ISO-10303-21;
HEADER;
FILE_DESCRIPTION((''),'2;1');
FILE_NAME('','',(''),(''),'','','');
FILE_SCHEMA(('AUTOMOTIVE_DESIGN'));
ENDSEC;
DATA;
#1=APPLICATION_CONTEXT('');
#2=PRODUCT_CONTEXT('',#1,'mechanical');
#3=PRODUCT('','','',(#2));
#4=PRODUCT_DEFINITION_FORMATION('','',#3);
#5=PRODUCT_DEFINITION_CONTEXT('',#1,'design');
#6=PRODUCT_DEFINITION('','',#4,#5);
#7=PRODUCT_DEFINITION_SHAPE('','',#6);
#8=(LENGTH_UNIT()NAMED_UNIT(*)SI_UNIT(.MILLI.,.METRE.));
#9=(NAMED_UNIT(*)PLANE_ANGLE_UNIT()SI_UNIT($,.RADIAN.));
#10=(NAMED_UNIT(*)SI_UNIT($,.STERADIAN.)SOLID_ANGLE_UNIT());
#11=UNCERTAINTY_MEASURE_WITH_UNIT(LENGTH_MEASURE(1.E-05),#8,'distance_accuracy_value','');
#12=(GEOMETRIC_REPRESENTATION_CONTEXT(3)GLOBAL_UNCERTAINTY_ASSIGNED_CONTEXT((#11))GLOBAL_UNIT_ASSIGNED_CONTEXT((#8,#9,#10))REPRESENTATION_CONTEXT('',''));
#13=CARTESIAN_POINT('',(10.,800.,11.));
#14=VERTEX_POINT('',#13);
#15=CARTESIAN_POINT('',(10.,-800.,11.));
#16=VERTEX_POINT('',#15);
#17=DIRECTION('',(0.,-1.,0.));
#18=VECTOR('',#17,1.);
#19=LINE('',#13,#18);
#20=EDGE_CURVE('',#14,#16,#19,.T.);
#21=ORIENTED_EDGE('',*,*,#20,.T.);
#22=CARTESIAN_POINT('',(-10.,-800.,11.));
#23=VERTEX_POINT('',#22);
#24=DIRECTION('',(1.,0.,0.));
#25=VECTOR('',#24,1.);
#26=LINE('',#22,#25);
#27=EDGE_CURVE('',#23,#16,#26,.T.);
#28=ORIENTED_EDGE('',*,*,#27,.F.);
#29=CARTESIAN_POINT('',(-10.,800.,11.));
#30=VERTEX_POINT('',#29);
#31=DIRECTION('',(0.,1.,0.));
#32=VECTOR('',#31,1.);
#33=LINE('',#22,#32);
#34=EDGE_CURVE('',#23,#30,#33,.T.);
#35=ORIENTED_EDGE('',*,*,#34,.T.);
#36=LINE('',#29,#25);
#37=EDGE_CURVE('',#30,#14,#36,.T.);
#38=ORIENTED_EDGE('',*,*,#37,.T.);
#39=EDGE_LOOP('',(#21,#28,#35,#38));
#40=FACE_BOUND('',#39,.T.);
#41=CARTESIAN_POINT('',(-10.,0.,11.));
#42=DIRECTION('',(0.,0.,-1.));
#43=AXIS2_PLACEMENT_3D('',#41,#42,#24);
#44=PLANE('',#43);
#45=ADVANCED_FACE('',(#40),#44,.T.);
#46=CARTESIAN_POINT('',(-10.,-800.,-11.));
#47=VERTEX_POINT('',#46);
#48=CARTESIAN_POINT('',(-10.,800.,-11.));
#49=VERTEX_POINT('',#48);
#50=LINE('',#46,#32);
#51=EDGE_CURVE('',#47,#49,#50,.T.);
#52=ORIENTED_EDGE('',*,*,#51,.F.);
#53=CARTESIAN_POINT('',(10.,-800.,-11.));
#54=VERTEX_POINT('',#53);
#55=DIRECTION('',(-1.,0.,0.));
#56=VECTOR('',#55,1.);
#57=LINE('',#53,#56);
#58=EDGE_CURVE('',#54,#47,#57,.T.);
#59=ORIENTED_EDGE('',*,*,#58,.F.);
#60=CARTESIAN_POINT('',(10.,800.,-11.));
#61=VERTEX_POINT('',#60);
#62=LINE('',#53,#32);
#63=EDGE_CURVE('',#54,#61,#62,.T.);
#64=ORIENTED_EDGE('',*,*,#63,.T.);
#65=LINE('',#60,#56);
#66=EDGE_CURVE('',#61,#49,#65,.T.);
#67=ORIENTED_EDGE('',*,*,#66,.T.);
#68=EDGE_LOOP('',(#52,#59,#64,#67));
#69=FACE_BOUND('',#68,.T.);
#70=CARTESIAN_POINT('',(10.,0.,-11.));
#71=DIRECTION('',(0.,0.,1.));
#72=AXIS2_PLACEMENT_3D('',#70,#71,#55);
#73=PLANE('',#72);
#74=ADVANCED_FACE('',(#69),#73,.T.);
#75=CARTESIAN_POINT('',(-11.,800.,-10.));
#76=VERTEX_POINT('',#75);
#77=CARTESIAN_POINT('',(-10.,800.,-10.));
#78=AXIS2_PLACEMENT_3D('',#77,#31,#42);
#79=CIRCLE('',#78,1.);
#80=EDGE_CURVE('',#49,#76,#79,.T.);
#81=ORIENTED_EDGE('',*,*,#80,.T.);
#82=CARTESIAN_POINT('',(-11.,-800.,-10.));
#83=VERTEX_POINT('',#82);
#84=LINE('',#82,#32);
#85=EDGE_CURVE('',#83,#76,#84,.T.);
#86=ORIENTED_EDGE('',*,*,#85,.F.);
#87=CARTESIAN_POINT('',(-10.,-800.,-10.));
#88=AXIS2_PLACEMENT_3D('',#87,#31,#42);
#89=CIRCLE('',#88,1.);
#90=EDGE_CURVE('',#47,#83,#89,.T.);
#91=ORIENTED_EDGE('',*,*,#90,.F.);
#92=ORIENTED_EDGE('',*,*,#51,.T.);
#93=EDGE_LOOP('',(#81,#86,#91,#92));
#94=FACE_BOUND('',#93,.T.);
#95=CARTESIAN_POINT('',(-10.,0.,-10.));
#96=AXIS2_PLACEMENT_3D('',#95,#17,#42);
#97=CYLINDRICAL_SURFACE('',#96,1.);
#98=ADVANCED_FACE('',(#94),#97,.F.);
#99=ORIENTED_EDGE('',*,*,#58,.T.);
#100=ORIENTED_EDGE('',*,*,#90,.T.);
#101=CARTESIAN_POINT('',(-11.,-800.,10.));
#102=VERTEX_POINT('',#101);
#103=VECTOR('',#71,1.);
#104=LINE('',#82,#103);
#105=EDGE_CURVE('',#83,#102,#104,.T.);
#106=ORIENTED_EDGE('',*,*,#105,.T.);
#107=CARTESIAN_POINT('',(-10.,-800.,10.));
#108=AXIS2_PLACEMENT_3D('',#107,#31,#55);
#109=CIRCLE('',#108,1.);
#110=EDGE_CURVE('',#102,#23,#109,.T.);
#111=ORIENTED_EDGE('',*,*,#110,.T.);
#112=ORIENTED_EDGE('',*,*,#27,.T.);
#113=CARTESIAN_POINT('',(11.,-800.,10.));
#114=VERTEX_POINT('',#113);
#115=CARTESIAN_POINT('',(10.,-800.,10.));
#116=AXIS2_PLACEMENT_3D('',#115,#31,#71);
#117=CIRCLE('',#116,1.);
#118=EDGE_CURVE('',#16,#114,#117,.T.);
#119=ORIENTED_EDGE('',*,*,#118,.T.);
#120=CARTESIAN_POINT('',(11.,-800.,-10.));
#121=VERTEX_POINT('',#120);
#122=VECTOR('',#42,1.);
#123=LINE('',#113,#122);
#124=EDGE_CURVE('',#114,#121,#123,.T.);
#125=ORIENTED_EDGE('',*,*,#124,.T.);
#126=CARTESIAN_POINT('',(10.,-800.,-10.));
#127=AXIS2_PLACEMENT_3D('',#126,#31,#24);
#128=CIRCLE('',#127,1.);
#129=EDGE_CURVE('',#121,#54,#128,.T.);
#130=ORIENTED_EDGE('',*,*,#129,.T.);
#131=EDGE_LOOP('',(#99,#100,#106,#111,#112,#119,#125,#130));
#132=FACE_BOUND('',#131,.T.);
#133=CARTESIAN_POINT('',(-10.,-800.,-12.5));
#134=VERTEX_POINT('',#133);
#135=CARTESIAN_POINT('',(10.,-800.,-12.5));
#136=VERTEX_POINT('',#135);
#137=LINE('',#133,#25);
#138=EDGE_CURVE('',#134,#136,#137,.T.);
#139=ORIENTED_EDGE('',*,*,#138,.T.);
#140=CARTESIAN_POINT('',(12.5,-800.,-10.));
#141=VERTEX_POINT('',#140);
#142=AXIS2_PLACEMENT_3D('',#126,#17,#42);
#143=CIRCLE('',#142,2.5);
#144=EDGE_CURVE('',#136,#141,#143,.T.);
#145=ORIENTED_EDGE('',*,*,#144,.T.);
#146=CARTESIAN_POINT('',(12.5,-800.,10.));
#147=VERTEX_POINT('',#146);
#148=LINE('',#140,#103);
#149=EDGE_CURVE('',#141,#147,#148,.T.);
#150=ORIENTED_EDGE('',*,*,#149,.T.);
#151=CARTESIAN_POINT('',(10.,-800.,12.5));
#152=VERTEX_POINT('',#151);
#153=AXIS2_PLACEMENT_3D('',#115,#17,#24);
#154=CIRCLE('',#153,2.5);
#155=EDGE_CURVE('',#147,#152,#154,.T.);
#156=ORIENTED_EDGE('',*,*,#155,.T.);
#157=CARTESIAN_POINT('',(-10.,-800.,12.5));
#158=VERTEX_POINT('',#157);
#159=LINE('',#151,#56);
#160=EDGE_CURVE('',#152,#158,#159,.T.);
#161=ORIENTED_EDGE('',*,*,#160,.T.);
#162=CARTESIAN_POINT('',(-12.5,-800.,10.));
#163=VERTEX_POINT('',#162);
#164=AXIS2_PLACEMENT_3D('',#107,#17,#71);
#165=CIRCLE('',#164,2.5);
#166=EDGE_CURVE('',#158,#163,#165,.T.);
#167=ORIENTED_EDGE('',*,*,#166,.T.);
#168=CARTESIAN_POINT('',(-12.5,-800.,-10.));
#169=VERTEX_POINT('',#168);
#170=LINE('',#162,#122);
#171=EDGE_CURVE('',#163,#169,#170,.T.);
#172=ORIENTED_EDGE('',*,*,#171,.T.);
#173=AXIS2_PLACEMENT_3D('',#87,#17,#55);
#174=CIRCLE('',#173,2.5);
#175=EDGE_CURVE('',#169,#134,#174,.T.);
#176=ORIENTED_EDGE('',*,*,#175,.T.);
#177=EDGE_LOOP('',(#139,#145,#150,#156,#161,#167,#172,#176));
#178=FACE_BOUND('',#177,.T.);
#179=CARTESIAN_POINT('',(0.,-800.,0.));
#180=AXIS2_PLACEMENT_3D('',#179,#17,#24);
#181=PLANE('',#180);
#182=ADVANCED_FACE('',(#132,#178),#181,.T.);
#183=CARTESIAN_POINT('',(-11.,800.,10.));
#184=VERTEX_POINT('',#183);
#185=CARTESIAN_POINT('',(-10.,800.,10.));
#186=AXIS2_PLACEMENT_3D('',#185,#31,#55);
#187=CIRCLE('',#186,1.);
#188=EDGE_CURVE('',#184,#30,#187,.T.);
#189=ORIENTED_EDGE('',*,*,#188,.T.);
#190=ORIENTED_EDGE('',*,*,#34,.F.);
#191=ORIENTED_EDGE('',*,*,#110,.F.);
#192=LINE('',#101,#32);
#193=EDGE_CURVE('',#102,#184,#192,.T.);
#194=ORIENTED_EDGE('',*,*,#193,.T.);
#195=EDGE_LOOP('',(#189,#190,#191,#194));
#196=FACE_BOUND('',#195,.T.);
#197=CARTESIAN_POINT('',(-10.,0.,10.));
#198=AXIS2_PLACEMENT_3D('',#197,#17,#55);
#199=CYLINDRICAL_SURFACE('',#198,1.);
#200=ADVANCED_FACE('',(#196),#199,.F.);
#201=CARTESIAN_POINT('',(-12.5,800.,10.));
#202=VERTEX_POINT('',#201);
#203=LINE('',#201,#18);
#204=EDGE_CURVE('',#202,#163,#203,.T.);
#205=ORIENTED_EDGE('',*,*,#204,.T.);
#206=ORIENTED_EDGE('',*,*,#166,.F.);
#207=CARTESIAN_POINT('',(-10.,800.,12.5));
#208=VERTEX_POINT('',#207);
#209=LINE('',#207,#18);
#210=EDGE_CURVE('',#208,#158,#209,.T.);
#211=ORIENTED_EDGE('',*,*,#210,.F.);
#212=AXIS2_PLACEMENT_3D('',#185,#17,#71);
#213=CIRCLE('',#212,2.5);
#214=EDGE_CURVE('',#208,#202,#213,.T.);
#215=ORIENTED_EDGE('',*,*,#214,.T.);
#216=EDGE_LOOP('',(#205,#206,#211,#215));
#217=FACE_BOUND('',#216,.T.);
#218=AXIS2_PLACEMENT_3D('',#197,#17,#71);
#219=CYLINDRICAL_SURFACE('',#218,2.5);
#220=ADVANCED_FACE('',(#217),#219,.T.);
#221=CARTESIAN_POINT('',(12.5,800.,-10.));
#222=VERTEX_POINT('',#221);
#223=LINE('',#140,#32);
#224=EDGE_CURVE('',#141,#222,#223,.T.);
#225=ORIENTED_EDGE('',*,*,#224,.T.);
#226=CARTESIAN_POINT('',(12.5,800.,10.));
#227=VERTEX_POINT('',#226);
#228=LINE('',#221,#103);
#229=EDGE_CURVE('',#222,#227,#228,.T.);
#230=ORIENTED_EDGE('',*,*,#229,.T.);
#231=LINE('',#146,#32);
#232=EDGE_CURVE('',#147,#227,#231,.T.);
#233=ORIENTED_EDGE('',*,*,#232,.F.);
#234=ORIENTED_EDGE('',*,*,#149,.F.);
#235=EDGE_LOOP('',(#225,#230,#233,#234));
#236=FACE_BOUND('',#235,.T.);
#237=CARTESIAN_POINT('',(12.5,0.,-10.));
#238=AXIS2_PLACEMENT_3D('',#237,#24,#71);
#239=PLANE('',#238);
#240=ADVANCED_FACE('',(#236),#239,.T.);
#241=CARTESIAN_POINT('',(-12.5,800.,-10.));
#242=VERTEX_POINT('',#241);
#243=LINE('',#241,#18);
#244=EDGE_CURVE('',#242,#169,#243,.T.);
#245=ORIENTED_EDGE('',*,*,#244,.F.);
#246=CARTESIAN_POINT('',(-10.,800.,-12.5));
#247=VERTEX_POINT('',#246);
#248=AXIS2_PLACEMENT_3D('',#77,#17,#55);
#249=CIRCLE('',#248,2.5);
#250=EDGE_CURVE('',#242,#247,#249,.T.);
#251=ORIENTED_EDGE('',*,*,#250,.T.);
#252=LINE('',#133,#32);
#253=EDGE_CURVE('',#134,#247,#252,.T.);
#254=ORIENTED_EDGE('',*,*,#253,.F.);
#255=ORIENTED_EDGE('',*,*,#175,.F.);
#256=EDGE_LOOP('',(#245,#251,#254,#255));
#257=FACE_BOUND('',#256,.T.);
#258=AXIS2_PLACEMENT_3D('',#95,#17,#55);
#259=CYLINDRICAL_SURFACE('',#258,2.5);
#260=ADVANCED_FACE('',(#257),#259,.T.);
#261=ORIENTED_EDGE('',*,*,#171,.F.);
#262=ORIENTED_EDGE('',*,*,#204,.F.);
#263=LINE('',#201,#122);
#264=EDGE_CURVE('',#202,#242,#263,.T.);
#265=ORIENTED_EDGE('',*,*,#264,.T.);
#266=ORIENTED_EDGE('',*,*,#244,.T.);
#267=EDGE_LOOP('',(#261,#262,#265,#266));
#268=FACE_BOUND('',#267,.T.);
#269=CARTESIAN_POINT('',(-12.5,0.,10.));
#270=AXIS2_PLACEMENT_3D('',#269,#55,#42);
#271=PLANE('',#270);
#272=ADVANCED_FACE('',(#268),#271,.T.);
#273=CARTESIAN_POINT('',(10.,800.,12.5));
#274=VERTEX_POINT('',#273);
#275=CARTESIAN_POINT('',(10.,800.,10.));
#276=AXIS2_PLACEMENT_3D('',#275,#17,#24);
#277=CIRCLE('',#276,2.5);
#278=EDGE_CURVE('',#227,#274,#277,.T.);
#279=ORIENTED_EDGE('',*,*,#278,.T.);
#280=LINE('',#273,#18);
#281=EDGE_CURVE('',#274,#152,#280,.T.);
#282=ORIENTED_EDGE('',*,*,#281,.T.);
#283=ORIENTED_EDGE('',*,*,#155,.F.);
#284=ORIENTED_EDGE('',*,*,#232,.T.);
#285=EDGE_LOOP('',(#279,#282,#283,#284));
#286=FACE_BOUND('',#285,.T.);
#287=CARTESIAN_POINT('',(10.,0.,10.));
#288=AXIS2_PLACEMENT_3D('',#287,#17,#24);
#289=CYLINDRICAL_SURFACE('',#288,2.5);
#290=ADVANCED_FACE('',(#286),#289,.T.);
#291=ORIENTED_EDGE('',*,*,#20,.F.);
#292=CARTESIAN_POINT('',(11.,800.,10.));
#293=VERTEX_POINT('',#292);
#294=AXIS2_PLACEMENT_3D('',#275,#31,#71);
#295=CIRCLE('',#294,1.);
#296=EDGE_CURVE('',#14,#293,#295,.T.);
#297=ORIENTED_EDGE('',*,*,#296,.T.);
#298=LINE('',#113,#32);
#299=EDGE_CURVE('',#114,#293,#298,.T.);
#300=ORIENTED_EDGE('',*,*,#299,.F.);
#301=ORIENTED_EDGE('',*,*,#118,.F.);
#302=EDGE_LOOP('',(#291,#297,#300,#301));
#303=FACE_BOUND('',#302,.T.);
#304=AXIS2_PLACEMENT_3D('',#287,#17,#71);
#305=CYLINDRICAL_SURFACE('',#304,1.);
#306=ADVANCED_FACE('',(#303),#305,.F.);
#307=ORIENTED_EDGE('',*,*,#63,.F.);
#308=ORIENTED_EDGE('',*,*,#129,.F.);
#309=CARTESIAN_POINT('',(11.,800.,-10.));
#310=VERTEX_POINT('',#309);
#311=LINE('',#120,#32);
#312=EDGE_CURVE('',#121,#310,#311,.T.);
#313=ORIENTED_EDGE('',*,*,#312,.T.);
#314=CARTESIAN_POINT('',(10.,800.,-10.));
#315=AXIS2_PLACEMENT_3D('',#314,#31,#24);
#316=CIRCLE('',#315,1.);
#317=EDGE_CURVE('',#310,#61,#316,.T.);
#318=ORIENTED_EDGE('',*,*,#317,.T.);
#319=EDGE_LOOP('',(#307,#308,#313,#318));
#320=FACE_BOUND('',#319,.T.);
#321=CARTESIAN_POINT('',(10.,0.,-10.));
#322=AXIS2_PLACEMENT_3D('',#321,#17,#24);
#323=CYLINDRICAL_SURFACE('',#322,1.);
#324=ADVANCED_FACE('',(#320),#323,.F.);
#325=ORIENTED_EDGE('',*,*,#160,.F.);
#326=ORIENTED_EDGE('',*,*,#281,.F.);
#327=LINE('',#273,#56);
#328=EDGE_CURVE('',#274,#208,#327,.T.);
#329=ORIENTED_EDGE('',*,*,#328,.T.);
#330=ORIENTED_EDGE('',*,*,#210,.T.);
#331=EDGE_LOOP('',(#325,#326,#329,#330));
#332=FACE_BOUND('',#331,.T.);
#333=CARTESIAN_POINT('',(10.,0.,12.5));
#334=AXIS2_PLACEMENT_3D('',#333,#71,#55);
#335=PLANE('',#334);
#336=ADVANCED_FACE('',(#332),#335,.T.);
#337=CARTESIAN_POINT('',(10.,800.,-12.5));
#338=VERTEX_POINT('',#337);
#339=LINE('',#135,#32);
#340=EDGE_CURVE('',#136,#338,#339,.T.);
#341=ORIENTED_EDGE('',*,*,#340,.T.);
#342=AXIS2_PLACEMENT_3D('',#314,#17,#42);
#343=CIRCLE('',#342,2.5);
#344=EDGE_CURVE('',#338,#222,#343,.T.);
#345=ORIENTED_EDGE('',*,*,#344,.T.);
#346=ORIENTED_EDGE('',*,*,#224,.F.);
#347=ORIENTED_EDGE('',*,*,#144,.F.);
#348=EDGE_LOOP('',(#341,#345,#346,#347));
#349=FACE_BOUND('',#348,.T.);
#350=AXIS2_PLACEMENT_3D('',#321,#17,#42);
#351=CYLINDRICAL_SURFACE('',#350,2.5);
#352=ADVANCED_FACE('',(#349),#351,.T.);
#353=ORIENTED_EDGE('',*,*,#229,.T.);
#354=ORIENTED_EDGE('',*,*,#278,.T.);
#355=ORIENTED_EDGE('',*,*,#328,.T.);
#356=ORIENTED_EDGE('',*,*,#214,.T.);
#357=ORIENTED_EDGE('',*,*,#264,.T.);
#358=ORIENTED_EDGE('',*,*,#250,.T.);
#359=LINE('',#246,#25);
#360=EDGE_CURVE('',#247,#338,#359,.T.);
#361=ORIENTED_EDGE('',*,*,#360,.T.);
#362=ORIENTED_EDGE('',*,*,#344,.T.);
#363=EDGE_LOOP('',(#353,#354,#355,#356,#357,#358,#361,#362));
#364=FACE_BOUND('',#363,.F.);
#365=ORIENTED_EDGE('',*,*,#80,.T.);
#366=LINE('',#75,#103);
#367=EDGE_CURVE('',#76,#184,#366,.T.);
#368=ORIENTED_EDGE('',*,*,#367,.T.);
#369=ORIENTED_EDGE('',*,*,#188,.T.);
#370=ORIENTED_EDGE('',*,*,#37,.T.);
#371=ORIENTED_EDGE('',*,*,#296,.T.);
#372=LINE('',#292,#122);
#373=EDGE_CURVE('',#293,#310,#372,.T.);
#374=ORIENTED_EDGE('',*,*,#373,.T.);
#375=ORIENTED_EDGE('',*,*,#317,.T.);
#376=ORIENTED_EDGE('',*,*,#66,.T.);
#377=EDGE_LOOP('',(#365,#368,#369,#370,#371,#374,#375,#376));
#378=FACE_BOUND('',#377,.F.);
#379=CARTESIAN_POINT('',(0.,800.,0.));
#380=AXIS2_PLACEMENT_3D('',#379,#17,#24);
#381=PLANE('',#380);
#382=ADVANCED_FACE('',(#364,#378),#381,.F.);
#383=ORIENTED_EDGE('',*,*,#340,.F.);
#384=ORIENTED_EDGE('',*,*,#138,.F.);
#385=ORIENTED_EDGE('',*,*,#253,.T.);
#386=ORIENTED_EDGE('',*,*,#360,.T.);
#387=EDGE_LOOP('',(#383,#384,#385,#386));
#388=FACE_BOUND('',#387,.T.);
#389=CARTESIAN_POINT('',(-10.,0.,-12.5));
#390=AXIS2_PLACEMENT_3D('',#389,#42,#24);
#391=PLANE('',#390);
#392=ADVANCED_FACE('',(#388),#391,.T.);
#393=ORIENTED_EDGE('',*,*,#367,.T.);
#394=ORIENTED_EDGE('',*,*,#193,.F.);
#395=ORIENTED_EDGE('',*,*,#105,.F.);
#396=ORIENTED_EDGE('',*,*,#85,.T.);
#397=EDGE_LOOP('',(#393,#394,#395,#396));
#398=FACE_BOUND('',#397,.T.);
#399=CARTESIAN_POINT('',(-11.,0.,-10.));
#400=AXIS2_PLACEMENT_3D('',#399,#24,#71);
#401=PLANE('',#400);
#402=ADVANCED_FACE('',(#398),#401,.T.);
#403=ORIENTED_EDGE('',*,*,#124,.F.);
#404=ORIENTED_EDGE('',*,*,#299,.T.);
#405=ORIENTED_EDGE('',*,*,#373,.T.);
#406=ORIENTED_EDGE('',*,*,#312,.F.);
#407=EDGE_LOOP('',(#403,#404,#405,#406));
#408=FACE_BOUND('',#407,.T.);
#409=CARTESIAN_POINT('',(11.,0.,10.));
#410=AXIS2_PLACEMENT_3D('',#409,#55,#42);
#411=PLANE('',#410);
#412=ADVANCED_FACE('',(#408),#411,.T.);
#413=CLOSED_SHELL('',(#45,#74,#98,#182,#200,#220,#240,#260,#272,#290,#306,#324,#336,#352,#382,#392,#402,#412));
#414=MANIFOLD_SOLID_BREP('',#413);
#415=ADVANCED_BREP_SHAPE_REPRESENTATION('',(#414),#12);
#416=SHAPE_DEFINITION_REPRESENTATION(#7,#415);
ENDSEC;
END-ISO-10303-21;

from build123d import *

# Parameters (mm, degrees)
F1_DEPTH = 800


with BuildPart() as f1:
    # F0 (on Front) → F1 (new body, symmetric)
    with BuildSketch(Plane.XZ):
        with BuildLine():
            ThreePointArc((12.5, 10), (11.767766953, 11.767766953), (10, 12.5))
            Line((10, 12.5), (-10, 12.5))
            ThreePointArc((-10, 12.5), (-11.767766953, 11.767766953), (-12.5, 10))
            Line((-12.5, 10), (-12.5, -10))
            ThreePointArc((-12.5, -10), (-11.767766953, -11.767766953), (-10, -12.5))
            Line((-10, -12.5), (10, -12.5))
            ThreePointArc((10, -12.5), (11.767766953, -11.767766953), (12.5, -10))
            Line((12.5, -10), (12.5, 10))
        make_face()
        with BuildLine():
            ThreePointArc((10, 11), (10.7071067812, 10.7071067812), (11, 10))
            Line((11, 10), (11, -10))
            ThreePointArc((11, -10), (10.7071067812, -10.7071067812), (10, -11))
            Line((10, -11), (-10, -11))
            ThreePointArc((-10, -11), (-10.7071067812, -10.7071067812), (-11, -10))
            Line((-11, -10), (-11, 10))
            ThreePointArc((-11, 10), (-10.7071067812, 10.7071067812), (-10, 11))
            Line((-10, 11), (10, 11))
        make_face(mode=Mode.SUBTRACT)
    extrude(amount=F1_DEPTH, both=True)


solid = f1.part
